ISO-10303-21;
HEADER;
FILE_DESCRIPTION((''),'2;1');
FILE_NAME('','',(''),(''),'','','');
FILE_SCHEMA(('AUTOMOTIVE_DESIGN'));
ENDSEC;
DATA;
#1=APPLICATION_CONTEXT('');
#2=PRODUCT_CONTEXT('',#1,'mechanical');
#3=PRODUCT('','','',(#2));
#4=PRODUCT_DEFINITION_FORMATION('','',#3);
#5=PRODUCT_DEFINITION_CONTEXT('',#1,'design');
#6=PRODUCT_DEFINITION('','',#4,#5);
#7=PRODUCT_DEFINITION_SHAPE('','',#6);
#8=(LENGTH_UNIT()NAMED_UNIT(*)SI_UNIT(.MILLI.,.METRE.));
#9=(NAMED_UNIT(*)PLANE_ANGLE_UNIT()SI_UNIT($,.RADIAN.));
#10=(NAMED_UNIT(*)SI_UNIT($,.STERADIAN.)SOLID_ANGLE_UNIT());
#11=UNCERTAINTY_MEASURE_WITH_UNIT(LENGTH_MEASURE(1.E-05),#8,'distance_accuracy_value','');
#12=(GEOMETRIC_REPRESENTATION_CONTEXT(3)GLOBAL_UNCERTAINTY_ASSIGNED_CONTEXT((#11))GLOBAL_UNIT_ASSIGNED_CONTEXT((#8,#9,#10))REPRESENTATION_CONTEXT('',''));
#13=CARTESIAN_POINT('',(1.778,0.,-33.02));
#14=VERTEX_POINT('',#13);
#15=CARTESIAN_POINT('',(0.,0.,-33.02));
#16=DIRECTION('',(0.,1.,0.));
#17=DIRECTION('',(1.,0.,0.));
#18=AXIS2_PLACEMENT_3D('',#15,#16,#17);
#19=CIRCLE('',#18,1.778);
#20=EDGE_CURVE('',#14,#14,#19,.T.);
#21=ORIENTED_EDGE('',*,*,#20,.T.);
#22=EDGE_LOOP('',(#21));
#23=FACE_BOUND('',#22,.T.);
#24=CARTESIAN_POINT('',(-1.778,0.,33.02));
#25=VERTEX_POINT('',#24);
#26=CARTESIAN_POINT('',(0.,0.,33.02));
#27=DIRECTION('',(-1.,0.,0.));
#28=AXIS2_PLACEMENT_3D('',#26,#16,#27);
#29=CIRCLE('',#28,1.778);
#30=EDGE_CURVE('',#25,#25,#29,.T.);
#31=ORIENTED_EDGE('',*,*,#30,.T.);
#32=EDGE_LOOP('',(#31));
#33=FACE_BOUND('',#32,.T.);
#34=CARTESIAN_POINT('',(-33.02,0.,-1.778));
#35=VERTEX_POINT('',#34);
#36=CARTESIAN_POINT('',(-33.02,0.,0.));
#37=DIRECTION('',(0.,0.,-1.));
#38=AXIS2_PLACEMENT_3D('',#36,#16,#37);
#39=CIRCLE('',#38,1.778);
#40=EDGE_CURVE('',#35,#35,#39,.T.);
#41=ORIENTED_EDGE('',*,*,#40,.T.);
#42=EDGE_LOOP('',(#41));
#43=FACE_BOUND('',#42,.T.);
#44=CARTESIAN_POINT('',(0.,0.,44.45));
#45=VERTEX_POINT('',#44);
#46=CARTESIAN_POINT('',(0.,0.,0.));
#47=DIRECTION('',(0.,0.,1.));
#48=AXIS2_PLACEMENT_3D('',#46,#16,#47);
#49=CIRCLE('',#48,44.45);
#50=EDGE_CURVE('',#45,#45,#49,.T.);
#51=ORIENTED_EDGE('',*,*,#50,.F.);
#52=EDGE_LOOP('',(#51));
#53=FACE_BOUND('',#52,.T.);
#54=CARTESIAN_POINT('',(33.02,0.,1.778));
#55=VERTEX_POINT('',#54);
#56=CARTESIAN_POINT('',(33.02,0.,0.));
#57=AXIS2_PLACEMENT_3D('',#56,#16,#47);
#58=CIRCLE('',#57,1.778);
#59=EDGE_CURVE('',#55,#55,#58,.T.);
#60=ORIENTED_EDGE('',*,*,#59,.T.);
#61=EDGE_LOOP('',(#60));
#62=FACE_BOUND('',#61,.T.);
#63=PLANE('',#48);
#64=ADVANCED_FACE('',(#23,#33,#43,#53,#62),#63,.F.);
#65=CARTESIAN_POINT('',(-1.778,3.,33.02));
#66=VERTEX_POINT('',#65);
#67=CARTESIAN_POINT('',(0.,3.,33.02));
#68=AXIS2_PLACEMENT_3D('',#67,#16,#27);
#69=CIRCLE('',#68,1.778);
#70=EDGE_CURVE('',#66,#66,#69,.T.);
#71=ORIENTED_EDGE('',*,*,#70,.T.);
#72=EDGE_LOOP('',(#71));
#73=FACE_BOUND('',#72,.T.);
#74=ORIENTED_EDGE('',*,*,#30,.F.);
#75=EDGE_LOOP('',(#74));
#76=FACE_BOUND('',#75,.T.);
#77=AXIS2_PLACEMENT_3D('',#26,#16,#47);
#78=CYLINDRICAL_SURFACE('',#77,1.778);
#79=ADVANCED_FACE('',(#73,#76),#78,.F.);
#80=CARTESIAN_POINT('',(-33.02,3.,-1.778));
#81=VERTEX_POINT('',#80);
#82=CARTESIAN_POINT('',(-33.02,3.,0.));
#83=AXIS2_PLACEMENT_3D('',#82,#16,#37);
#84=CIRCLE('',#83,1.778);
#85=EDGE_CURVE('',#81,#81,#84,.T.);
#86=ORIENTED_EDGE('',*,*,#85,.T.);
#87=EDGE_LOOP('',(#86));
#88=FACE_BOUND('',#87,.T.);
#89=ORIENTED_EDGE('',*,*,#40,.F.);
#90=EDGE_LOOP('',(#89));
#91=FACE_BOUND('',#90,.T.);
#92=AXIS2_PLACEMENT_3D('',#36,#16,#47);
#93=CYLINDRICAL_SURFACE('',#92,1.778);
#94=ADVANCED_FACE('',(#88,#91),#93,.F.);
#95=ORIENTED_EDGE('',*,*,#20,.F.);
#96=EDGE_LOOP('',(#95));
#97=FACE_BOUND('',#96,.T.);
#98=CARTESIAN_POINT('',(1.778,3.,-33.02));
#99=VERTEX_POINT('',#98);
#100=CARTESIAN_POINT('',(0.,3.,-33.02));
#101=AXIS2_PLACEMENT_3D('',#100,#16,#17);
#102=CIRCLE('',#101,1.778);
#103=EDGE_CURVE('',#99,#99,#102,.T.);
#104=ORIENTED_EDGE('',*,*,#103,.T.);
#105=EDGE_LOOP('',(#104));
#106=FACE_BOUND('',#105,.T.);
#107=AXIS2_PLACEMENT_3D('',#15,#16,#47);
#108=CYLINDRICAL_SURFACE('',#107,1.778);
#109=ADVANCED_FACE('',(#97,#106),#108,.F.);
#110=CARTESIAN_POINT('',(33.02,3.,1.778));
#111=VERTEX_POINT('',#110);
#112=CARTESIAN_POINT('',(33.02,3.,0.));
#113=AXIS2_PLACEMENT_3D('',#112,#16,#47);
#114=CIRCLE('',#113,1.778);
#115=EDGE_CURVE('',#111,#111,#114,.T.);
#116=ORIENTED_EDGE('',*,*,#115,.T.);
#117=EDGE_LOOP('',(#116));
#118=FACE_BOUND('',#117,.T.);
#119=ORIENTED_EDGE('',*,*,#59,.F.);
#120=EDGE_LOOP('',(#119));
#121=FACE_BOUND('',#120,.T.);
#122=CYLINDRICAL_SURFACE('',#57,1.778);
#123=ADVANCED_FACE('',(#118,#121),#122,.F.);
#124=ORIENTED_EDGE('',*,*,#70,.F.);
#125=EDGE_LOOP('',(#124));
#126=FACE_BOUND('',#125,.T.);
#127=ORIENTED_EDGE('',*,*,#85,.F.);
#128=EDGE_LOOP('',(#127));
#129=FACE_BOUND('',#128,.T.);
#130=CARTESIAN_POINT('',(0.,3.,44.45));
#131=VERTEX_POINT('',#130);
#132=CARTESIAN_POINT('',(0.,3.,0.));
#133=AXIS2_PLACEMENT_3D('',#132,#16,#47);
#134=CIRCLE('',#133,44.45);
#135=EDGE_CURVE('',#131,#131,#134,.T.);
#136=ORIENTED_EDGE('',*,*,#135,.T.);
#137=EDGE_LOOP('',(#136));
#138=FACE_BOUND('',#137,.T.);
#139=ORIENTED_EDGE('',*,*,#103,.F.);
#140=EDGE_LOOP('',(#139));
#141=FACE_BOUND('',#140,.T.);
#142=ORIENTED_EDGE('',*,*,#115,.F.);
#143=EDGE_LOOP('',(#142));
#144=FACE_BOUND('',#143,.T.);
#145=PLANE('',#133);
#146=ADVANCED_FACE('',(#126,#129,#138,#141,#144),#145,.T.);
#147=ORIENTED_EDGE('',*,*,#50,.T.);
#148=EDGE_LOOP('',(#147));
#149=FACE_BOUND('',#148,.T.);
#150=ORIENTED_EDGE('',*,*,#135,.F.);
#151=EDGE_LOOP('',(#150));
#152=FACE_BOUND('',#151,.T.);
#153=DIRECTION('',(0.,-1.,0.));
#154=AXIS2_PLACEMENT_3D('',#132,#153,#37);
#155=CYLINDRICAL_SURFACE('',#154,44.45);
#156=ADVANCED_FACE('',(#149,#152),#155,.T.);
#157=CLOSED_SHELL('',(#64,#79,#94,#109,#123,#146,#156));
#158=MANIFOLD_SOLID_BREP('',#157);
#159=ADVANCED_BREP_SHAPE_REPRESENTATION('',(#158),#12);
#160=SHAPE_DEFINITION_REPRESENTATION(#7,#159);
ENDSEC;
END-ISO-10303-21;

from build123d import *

# Parameters (mm, degrees)
SKETCH1_R           = 44.45
BOSS_EXTRUDE1_DEPTH = 3
SKETCH3_R           = 1.778
CUT_EXTRUDE1_DEPTH  = 63.933337747
CIRPATTERN1_COUNT   = 4


with BuildPart() as part:
    # Sketch1 → Boss-Extrude1 (new body)
    with BuildSketch(Plane(origin=(0, 0, 0), x_dir=(1, 0, 0), z_dir=(0, 1, 0))):
        with Locations(Location((0, 0, 0), (0, 0, 270))):
            Circle(SKETCH1_R)
    extrude(amount=BOSS_EXTRUDE1_DEPTH)

    # Sketch3 → Cut-Extrude1 (cut, through all)
    with BuildSketch(Plane(origin=(0, 3, 0), x_dir=(1, 0, 0), z_dir=(0, 1, 0))):
        with Locations(Location((33.02, 0, 0), (0, 0, 270))):
            Circle(SKETCH3_R)
    cut_extrude1 = extrude(amount=-CUT_EXTRUDE1_DEPTH, mode=Mode.SUBTRACT)

    # CirPattern1: Cut-Extrude1 ×4 about axis
    cirpattern1_axis = Axis((0, 0, 0), (0, 1, 0))
    for i in range(1, CIRPATTERN1_COUNT):
        add(cut_extrude1.rotate(cirpattern1_axis, i * 360 / CIRPATTERN1_COUNT), mode=Mode.SUBTRACT)


solid = part.part
